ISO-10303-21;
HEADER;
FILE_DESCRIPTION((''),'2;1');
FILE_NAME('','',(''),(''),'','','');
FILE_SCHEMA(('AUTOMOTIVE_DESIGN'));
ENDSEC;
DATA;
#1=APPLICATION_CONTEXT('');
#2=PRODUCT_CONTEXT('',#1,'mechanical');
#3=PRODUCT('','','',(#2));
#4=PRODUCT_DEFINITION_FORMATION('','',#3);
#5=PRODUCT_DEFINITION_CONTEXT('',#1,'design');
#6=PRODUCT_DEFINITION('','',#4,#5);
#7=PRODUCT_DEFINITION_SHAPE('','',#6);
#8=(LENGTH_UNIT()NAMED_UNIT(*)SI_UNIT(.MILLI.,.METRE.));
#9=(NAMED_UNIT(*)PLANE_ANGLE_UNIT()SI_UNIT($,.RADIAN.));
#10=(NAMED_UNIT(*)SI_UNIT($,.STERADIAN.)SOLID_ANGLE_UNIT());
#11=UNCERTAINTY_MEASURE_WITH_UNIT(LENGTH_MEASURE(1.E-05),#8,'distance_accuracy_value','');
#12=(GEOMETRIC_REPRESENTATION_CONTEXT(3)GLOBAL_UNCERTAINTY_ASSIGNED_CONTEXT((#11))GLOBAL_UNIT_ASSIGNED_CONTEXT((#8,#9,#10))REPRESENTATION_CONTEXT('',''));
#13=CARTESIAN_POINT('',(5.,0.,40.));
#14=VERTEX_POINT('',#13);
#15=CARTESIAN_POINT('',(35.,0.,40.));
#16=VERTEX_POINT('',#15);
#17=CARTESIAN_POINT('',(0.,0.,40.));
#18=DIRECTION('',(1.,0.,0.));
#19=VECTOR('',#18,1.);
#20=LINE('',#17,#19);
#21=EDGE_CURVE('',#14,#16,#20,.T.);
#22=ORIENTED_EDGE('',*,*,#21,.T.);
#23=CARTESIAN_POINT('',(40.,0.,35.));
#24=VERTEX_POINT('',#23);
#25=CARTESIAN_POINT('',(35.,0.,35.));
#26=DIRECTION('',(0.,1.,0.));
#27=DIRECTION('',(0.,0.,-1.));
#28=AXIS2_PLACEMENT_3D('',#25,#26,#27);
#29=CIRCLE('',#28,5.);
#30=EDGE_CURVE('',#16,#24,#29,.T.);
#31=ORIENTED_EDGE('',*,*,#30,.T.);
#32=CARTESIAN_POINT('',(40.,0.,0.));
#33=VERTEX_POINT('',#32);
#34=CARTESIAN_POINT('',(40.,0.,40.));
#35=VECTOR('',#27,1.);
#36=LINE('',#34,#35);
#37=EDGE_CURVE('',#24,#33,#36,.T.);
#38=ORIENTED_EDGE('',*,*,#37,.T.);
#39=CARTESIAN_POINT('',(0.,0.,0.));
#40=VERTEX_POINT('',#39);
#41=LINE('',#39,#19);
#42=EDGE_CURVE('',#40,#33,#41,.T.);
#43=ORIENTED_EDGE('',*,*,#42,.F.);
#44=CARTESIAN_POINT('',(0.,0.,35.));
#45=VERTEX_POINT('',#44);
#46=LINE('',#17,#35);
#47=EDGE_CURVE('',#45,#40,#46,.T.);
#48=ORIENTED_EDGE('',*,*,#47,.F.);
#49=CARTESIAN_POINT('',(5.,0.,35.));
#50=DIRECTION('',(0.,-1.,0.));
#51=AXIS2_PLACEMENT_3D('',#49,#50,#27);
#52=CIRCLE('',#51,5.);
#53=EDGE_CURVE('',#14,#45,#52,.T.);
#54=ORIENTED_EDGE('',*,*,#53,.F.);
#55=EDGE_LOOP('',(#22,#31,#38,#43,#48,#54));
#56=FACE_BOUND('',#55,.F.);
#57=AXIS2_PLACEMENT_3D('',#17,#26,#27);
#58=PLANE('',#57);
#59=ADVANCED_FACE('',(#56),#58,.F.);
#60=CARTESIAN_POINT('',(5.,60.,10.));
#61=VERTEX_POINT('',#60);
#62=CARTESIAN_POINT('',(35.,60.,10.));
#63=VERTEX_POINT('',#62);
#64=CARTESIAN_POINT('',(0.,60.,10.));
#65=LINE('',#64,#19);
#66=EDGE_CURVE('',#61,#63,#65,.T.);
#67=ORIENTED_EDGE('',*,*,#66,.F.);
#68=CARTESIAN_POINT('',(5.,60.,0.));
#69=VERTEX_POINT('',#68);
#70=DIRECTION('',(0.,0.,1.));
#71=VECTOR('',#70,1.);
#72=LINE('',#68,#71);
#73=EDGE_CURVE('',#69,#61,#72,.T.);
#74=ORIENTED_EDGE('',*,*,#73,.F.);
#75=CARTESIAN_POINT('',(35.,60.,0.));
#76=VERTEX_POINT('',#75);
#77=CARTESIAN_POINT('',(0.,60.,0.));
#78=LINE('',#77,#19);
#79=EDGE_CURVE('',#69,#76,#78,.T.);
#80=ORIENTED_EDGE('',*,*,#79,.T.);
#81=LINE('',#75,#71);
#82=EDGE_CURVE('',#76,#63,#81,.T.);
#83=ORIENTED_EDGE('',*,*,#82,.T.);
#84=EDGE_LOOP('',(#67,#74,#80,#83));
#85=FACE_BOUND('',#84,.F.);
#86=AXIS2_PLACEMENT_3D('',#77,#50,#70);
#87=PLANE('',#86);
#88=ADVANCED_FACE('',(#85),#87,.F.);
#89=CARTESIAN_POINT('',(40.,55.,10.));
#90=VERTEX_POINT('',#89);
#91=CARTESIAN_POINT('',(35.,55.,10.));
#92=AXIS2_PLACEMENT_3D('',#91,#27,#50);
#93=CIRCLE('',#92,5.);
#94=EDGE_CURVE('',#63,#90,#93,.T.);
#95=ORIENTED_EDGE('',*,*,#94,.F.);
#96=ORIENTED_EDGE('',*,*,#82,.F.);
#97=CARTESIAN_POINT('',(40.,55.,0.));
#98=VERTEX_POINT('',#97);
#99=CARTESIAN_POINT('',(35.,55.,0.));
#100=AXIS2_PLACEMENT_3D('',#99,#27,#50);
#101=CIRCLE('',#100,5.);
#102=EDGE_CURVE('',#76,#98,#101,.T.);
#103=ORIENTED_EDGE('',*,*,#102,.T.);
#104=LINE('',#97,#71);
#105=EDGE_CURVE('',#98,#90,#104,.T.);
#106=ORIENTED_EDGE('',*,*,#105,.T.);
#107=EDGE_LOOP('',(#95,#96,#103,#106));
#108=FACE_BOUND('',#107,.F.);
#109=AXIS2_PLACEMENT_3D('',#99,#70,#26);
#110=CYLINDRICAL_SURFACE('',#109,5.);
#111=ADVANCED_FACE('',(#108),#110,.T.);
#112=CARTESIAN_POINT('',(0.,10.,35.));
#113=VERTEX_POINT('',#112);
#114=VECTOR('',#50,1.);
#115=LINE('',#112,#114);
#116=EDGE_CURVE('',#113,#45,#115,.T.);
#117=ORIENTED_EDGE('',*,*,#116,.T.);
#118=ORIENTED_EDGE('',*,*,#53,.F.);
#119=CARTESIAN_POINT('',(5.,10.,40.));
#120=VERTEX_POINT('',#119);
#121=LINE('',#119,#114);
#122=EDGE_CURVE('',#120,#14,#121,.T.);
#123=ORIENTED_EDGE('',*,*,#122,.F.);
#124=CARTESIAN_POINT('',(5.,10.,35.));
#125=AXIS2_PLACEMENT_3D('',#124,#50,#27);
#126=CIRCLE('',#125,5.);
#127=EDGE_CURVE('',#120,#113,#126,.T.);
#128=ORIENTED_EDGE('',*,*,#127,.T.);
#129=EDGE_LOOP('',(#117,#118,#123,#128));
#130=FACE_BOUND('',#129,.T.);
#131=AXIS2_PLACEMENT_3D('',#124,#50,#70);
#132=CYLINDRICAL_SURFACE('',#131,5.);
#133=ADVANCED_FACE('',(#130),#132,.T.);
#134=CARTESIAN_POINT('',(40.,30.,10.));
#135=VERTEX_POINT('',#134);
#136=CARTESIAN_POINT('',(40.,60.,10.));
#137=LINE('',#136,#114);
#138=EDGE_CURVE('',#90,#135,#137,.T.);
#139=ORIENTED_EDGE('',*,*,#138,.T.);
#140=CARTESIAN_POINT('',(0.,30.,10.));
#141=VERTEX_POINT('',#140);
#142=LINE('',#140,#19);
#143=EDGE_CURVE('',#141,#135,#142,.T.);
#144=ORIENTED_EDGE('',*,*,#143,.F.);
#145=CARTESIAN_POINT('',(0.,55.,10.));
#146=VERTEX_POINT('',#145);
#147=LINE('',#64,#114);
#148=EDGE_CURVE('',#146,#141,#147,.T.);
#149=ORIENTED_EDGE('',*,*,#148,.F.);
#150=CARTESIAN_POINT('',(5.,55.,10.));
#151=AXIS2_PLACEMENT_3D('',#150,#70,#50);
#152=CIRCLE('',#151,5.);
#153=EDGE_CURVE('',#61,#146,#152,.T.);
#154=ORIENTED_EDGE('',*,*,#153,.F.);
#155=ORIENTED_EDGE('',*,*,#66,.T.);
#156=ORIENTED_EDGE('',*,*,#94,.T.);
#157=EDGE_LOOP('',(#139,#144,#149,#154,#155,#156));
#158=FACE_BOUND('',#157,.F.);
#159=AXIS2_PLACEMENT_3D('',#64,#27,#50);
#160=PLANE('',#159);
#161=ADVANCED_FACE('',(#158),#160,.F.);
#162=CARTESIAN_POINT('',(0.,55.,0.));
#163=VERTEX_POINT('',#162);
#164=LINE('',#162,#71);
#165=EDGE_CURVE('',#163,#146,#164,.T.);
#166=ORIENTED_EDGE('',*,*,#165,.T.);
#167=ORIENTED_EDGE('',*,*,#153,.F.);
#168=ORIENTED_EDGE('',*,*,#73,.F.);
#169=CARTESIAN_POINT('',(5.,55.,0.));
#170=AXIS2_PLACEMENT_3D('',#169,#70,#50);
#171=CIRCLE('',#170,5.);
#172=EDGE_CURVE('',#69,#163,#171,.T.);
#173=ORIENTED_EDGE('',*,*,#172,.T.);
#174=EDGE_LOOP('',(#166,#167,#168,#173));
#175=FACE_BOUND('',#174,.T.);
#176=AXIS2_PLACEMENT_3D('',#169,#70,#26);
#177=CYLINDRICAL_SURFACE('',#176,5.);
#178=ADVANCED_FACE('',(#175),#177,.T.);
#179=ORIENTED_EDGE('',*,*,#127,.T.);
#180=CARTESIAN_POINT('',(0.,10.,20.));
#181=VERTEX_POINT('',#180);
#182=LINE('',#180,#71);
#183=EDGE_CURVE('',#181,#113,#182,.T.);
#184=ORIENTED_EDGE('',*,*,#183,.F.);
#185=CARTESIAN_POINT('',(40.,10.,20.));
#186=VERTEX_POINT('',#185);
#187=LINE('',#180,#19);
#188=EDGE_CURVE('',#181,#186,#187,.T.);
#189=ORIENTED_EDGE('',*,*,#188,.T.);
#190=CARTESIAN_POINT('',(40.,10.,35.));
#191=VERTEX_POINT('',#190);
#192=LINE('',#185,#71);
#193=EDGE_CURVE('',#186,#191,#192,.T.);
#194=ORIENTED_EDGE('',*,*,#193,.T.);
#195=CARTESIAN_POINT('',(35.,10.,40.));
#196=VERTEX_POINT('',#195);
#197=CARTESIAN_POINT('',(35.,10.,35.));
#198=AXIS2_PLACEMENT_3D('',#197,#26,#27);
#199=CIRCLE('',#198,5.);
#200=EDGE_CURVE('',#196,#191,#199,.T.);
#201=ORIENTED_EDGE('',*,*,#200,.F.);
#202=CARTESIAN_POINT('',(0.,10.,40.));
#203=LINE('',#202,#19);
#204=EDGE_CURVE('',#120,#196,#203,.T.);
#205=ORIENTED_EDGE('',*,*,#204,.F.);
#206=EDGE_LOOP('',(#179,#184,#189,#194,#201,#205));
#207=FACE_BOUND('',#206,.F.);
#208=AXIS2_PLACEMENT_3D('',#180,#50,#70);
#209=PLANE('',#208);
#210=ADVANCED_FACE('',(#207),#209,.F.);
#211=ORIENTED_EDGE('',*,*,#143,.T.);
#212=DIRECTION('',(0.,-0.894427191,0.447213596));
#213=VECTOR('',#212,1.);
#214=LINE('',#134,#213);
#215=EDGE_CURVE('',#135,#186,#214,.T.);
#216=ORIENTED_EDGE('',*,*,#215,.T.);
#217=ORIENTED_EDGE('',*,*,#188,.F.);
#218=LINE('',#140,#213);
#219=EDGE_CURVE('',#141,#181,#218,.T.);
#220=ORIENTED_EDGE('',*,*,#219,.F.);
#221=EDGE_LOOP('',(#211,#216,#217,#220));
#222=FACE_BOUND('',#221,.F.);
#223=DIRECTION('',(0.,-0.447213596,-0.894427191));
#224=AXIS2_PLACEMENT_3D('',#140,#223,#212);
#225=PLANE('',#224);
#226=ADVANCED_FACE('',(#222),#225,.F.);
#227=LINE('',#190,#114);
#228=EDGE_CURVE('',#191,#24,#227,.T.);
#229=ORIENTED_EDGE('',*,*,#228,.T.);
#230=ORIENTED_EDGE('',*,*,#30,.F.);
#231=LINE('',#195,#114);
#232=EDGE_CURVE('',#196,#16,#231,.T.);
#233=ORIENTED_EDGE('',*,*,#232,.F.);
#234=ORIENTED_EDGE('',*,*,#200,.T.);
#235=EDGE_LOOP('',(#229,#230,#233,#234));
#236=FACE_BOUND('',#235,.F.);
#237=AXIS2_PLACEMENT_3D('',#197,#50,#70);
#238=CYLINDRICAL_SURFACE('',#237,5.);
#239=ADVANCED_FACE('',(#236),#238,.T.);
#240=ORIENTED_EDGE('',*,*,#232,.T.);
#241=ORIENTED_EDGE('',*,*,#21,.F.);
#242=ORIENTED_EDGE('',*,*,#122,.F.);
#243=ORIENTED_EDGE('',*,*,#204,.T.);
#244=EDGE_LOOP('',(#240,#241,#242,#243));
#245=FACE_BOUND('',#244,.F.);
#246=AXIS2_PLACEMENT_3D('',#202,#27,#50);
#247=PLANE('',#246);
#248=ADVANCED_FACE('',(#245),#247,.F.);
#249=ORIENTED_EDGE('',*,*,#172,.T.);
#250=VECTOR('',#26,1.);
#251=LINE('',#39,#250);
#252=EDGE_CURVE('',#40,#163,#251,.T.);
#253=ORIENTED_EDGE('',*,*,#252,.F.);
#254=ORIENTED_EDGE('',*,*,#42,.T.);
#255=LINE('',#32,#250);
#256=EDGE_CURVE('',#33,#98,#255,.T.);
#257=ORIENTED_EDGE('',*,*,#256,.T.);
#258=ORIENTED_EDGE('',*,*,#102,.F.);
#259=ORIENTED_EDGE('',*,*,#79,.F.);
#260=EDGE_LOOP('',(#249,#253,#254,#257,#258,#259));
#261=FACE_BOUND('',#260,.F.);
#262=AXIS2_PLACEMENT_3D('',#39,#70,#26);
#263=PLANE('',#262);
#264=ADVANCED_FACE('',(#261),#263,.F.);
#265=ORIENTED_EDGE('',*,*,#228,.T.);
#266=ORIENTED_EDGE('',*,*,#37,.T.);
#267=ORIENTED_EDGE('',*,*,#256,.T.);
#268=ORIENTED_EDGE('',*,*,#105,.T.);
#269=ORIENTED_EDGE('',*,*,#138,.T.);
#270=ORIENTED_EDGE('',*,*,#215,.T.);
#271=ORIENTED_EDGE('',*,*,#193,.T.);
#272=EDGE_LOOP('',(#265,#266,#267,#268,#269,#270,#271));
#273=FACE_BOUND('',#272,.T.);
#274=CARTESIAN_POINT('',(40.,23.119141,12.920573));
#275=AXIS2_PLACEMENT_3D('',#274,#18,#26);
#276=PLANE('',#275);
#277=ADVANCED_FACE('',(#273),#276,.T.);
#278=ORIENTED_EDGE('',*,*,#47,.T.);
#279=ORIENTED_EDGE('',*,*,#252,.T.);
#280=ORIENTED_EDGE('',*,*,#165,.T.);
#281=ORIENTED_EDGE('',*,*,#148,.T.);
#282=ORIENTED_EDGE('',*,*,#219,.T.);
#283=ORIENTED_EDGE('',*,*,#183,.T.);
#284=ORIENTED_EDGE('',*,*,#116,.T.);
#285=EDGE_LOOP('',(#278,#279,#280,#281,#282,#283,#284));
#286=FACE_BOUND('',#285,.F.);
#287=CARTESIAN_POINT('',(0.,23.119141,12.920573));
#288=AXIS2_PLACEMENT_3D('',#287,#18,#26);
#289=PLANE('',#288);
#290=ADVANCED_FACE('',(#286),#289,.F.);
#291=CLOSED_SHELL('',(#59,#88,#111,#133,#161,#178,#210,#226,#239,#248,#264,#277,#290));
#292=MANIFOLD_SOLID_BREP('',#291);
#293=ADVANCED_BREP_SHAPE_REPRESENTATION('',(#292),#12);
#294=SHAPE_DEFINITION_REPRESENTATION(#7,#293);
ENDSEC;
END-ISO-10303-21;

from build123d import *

# Parameters (mm, degrees)
F1_DEPTH = 40
F2_R     = 5


with BuildPart() as f1:
    # F0 (on Right) → F1 (new body)
    with BuildSketch(Plane.YZ):
        Polygon((0, 40), (0, 0), (60, 0), (60, 10), (30, 10), (10, 20), (10, 40), align=None)
    extrude(amount=F1_DEPTH)

    # F2
    f2_edges = [f1.edges().sort_by_distance(p)[0] for p in [
        (40, 5, 40),
        (0, 5, 40),
        (40, 60, 5),
        (0, 60, 5),
    ]]
    fillet(f2_edges, radius=F2_R)


solid = f1.part
